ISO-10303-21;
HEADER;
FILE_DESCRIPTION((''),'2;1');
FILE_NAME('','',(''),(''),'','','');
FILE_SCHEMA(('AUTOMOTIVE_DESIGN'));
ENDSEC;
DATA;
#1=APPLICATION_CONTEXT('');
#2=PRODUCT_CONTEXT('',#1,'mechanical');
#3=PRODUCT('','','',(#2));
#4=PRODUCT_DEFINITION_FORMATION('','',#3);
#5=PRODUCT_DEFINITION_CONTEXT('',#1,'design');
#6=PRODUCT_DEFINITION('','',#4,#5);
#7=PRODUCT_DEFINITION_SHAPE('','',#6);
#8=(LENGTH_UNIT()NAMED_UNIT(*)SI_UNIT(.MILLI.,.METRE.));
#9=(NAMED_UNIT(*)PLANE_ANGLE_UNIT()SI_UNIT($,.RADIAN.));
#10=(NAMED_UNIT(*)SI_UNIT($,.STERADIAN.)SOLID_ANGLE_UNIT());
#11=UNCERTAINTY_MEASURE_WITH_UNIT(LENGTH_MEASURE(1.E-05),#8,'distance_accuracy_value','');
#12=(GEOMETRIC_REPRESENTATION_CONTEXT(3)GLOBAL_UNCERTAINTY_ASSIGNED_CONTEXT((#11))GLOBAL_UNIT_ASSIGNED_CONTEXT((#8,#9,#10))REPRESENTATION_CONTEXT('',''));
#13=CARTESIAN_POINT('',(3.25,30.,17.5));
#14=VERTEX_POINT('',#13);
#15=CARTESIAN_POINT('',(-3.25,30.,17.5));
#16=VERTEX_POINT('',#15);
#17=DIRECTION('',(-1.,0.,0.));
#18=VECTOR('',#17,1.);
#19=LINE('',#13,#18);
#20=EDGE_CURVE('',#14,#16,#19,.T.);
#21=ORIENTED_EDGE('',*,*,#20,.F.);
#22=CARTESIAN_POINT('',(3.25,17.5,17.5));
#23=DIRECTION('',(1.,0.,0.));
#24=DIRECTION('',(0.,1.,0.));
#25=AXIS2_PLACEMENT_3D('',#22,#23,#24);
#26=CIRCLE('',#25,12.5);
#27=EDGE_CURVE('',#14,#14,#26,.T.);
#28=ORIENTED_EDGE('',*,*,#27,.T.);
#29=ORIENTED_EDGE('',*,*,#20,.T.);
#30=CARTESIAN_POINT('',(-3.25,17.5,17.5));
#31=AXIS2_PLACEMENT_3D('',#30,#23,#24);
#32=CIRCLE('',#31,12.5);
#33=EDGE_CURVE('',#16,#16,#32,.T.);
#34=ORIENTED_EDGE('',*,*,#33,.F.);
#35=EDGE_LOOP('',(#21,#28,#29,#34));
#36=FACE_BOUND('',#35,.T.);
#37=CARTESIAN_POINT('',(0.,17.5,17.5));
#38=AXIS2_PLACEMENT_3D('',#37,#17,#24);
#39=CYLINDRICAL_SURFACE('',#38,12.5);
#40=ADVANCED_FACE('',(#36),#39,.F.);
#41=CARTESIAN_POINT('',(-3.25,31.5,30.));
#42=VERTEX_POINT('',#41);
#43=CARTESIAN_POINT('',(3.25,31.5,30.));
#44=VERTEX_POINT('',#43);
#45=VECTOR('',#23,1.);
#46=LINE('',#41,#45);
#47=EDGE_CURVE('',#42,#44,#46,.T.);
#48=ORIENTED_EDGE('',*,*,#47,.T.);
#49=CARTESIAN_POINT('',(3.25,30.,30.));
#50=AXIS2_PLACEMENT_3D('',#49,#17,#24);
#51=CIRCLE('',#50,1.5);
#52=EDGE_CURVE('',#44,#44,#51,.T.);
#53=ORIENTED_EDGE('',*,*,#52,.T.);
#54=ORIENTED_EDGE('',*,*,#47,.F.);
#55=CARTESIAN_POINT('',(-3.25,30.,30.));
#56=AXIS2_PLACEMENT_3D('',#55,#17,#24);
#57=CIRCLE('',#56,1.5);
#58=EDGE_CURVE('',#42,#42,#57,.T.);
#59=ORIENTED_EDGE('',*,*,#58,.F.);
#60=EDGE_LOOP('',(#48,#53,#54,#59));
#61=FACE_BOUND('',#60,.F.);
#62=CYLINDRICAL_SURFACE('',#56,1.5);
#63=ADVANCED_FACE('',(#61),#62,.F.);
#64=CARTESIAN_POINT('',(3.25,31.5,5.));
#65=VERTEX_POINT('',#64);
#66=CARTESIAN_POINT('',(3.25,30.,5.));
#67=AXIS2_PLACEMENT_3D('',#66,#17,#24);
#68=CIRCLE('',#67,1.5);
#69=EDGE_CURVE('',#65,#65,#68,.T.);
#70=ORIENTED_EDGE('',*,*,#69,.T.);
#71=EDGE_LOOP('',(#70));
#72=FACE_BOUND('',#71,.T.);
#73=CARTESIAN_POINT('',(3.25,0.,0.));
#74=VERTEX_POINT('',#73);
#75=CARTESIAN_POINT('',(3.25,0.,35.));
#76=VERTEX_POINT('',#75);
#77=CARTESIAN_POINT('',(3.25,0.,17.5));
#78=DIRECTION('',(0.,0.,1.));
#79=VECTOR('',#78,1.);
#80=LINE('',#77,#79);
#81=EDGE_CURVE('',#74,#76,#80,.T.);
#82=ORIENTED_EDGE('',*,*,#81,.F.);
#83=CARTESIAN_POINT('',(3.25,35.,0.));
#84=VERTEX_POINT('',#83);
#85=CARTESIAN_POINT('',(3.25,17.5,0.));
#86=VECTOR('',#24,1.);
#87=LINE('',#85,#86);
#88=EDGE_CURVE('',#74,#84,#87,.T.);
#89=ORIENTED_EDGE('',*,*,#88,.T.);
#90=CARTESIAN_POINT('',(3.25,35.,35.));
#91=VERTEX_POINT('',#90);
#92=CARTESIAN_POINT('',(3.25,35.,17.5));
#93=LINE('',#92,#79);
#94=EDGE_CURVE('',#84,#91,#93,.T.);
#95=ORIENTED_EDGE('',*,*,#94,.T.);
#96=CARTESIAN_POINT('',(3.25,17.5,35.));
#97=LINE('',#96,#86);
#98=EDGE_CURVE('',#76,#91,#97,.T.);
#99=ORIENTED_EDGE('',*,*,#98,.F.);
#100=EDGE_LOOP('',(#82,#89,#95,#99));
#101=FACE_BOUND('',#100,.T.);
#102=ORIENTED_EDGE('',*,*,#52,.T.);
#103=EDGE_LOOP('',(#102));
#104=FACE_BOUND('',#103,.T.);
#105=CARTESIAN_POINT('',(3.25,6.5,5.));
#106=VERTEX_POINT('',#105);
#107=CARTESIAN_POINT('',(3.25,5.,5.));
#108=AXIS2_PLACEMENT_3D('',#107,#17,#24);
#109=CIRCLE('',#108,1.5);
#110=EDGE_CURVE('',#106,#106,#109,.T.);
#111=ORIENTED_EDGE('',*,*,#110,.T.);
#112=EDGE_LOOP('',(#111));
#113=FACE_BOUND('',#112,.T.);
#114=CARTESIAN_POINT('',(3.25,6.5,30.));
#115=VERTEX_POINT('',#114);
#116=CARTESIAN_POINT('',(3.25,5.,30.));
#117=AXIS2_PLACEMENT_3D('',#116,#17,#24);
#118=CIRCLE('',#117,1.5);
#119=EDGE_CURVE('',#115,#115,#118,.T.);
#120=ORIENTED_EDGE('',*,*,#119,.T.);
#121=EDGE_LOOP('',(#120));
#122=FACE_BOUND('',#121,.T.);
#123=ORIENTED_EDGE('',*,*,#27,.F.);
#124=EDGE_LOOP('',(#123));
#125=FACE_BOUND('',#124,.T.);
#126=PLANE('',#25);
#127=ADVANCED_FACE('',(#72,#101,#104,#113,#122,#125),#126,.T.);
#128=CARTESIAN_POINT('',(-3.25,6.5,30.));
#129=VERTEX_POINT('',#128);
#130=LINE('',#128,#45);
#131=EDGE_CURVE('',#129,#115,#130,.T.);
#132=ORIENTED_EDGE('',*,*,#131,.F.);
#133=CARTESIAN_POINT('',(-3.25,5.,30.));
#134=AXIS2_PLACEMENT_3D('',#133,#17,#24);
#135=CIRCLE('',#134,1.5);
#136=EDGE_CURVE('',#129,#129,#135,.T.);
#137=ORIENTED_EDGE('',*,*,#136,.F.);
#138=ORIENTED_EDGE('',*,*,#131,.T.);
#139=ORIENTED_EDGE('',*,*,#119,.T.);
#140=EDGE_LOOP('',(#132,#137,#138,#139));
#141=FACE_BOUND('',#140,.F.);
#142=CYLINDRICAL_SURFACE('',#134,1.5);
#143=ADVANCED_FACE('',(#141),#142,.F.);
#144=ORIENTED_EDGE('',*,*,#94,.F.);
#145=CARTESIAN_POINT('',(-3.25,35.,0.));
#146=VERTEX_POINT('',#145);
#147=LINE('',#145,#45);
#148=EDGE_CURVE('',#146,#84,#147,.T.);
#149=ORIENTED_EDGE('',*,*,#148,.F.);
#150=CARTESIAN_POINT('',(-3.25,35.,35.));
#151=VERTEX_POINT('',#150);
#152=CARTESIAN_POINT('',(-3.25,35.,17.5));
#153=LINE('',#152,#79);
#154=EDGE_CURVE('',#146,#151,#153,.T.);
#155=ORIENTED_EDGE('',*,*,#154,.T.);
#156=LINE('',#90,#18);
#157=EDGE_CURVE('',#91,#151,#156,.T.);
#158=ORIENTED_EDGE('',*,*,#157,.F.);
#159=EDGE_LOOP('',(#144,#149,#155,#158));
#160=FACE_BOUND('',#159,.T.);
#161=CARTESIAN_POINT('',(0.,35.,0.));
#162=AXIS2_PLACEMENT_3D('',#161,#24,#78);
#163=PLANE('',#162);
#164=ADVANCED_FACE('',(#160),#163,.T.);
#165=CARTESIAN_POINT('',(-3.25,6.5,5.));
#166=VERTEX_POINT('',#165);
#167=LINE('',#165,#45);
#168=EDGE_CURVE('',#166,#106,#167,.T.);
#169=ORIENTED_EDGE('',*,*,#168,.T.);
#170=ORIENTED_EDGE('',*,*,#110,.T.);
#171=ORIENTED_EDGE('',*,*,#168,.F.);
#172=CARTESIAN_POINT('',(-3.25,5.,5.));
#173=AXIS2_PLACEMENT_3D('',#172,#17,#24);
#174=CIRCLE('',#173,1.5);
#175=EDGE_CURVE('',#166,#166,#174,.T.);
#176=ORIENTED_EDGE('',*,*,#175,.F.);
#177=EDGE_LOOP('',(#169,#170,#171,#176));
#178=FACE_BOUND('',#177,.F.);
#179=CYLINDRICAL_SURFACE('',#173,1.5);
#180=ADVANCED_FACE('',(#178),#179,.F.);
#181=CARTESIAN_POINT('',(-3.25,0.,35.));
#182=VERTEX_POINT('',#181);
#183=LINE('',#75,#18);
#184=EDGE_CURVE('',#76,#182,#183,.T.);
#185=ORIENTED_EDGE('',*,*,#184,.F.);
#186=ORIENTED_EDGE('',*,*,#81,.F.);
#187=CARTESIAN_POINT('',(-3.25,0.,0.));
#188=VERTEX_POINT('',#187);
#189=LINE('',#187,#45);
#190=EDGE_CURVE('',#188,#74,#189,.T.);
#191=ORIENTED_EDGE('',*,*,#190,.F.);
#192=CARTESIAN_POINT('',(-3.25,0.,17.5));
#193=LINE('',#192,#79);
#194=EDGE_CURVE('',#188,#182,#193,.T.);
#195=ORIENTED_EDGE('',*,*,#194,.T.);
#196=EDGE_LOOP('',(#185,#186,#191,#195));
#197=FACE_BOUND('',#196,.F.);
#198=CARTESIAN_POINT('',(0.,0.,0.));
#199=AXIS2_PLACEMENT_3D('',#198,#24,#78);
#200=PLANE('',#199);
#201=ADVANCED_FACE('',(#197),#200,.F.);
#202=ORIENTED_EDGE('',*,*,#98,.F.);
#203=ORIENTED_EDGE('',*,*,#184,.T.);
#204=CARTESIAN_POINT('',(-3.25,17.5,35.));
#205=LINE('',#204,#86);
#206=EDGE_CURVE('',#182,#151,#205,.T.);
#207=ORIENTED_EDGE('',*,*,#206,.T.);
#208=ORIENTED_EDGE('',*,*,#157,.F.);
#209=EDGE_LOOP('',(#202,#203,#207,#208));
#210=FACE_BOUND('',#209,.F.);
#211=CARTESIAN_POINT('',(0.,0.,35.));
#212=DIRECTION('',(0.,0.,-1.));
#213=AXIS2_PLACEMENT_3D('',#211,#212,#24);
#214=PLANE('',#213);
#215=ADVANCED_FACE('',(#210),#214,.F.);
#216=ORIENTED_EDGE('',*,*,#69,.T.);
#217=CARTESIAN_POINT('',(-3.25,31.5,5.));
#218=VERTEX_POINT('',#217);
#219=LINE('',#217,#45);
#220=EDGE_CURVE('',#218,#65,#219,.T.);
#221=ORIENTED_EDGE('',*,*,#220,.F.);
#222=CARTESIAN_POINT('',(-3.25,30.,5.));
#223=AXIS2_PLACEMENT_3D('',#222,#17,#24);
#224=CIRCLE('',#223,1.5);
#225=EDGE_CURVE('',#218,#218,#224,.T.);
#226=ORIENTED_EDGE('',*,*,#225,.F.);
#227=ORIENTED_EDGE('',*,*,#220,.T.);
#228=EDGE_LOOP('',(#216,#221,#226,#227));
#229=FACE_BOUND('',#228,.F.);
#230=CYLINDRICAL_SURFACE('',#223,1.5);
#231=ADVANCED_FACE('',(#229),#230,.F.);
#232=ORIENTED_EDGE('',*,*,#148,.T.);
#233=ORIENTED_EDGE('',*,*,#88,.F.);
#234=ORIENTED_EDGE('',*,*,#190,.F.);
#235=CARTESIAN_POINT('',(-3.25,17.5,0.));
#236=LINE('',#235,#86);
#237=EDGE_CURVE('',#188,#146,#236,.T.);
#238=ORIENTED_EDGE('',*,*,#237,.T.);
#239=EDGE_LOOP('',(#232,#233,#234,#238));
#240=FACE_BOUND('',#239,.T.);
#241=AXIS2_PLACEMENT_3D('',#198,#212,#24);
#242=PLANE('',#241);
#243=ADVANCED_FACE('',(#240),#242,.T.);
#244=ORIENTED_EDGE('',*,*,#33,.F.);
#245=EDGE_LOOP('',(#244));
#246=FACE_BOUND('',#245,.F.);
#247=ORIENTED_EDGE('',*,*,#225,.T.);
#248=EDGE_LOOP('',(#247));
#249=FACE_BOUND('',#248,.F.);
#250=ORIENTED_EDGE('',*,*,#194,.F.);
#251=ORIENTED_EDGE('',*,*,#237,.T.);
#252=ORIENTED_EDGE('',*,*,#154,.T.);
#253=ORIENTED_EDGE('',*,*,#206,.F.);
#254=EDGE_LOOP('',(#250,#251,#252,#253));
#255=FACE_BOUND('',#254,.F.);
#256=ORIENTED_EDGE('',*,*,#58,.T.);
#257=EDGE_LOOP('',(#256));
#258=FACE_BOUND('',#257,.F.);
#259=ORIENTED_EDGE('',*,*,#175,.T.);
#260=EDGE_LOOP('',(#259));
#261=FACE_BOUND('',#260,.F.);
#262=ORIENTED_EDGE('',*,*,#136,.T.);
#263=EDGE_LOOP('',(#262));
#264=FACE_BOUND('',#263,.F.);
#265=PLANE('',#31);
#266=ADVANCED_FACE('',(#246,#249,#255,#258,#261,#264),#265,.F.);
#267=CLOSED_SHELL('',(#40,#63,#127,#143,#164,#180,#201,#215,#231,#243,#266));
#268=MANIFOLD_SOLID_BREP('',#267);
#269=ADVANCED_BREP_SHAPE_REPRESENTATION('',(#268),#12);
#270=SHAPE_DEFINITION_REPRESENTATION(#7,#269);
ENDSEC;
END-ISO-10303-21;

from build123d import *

# Parameters (mm, degrees)
SKETCH_W    = 35
SKETCH_H    = 35
SKETCH_R    = 12.5
PAD_DEPTH   = 3.25
SKETCH001_R = 1.5
HOLE_DEPTH  = 25


with BuildPart() as part:
    # Sketch → Pad (new body, symmetric)
    with BuildSketch(Plane.YZ):
        with Locations((17.5, 17.5)):
            Rectangle(SKETCH_W, SKETCH_H)
        with Locations((17.5, 17.5)):
            Circle(SKETCH_R, mode=Mode.SUBTRACT)
    extrude(amount=PAD_DEPTH, both=True)

    # Sketch001 (on Face6 of Pad) → Hole (cut)
    with BuildSketch(Plane(origin=(-3.25, 0, 0), x_dir=(0, 1, 0), z_dir=(-1, 0, 0))):
        with Locations((30, -30)):
            Circle(SKETCH001_R)
        with Locations((5, -5)):
            Circle(SKETCH001_R)
        with Locations((30, -5)):
            Circle(SKETCH001_R)
        with Locations((5, -30)):
            Circle(SKETCH001_R)
    extrude(amount=-HOLE_DEPTH, mode=Mode.SUBTRACT)


solid = part.part
